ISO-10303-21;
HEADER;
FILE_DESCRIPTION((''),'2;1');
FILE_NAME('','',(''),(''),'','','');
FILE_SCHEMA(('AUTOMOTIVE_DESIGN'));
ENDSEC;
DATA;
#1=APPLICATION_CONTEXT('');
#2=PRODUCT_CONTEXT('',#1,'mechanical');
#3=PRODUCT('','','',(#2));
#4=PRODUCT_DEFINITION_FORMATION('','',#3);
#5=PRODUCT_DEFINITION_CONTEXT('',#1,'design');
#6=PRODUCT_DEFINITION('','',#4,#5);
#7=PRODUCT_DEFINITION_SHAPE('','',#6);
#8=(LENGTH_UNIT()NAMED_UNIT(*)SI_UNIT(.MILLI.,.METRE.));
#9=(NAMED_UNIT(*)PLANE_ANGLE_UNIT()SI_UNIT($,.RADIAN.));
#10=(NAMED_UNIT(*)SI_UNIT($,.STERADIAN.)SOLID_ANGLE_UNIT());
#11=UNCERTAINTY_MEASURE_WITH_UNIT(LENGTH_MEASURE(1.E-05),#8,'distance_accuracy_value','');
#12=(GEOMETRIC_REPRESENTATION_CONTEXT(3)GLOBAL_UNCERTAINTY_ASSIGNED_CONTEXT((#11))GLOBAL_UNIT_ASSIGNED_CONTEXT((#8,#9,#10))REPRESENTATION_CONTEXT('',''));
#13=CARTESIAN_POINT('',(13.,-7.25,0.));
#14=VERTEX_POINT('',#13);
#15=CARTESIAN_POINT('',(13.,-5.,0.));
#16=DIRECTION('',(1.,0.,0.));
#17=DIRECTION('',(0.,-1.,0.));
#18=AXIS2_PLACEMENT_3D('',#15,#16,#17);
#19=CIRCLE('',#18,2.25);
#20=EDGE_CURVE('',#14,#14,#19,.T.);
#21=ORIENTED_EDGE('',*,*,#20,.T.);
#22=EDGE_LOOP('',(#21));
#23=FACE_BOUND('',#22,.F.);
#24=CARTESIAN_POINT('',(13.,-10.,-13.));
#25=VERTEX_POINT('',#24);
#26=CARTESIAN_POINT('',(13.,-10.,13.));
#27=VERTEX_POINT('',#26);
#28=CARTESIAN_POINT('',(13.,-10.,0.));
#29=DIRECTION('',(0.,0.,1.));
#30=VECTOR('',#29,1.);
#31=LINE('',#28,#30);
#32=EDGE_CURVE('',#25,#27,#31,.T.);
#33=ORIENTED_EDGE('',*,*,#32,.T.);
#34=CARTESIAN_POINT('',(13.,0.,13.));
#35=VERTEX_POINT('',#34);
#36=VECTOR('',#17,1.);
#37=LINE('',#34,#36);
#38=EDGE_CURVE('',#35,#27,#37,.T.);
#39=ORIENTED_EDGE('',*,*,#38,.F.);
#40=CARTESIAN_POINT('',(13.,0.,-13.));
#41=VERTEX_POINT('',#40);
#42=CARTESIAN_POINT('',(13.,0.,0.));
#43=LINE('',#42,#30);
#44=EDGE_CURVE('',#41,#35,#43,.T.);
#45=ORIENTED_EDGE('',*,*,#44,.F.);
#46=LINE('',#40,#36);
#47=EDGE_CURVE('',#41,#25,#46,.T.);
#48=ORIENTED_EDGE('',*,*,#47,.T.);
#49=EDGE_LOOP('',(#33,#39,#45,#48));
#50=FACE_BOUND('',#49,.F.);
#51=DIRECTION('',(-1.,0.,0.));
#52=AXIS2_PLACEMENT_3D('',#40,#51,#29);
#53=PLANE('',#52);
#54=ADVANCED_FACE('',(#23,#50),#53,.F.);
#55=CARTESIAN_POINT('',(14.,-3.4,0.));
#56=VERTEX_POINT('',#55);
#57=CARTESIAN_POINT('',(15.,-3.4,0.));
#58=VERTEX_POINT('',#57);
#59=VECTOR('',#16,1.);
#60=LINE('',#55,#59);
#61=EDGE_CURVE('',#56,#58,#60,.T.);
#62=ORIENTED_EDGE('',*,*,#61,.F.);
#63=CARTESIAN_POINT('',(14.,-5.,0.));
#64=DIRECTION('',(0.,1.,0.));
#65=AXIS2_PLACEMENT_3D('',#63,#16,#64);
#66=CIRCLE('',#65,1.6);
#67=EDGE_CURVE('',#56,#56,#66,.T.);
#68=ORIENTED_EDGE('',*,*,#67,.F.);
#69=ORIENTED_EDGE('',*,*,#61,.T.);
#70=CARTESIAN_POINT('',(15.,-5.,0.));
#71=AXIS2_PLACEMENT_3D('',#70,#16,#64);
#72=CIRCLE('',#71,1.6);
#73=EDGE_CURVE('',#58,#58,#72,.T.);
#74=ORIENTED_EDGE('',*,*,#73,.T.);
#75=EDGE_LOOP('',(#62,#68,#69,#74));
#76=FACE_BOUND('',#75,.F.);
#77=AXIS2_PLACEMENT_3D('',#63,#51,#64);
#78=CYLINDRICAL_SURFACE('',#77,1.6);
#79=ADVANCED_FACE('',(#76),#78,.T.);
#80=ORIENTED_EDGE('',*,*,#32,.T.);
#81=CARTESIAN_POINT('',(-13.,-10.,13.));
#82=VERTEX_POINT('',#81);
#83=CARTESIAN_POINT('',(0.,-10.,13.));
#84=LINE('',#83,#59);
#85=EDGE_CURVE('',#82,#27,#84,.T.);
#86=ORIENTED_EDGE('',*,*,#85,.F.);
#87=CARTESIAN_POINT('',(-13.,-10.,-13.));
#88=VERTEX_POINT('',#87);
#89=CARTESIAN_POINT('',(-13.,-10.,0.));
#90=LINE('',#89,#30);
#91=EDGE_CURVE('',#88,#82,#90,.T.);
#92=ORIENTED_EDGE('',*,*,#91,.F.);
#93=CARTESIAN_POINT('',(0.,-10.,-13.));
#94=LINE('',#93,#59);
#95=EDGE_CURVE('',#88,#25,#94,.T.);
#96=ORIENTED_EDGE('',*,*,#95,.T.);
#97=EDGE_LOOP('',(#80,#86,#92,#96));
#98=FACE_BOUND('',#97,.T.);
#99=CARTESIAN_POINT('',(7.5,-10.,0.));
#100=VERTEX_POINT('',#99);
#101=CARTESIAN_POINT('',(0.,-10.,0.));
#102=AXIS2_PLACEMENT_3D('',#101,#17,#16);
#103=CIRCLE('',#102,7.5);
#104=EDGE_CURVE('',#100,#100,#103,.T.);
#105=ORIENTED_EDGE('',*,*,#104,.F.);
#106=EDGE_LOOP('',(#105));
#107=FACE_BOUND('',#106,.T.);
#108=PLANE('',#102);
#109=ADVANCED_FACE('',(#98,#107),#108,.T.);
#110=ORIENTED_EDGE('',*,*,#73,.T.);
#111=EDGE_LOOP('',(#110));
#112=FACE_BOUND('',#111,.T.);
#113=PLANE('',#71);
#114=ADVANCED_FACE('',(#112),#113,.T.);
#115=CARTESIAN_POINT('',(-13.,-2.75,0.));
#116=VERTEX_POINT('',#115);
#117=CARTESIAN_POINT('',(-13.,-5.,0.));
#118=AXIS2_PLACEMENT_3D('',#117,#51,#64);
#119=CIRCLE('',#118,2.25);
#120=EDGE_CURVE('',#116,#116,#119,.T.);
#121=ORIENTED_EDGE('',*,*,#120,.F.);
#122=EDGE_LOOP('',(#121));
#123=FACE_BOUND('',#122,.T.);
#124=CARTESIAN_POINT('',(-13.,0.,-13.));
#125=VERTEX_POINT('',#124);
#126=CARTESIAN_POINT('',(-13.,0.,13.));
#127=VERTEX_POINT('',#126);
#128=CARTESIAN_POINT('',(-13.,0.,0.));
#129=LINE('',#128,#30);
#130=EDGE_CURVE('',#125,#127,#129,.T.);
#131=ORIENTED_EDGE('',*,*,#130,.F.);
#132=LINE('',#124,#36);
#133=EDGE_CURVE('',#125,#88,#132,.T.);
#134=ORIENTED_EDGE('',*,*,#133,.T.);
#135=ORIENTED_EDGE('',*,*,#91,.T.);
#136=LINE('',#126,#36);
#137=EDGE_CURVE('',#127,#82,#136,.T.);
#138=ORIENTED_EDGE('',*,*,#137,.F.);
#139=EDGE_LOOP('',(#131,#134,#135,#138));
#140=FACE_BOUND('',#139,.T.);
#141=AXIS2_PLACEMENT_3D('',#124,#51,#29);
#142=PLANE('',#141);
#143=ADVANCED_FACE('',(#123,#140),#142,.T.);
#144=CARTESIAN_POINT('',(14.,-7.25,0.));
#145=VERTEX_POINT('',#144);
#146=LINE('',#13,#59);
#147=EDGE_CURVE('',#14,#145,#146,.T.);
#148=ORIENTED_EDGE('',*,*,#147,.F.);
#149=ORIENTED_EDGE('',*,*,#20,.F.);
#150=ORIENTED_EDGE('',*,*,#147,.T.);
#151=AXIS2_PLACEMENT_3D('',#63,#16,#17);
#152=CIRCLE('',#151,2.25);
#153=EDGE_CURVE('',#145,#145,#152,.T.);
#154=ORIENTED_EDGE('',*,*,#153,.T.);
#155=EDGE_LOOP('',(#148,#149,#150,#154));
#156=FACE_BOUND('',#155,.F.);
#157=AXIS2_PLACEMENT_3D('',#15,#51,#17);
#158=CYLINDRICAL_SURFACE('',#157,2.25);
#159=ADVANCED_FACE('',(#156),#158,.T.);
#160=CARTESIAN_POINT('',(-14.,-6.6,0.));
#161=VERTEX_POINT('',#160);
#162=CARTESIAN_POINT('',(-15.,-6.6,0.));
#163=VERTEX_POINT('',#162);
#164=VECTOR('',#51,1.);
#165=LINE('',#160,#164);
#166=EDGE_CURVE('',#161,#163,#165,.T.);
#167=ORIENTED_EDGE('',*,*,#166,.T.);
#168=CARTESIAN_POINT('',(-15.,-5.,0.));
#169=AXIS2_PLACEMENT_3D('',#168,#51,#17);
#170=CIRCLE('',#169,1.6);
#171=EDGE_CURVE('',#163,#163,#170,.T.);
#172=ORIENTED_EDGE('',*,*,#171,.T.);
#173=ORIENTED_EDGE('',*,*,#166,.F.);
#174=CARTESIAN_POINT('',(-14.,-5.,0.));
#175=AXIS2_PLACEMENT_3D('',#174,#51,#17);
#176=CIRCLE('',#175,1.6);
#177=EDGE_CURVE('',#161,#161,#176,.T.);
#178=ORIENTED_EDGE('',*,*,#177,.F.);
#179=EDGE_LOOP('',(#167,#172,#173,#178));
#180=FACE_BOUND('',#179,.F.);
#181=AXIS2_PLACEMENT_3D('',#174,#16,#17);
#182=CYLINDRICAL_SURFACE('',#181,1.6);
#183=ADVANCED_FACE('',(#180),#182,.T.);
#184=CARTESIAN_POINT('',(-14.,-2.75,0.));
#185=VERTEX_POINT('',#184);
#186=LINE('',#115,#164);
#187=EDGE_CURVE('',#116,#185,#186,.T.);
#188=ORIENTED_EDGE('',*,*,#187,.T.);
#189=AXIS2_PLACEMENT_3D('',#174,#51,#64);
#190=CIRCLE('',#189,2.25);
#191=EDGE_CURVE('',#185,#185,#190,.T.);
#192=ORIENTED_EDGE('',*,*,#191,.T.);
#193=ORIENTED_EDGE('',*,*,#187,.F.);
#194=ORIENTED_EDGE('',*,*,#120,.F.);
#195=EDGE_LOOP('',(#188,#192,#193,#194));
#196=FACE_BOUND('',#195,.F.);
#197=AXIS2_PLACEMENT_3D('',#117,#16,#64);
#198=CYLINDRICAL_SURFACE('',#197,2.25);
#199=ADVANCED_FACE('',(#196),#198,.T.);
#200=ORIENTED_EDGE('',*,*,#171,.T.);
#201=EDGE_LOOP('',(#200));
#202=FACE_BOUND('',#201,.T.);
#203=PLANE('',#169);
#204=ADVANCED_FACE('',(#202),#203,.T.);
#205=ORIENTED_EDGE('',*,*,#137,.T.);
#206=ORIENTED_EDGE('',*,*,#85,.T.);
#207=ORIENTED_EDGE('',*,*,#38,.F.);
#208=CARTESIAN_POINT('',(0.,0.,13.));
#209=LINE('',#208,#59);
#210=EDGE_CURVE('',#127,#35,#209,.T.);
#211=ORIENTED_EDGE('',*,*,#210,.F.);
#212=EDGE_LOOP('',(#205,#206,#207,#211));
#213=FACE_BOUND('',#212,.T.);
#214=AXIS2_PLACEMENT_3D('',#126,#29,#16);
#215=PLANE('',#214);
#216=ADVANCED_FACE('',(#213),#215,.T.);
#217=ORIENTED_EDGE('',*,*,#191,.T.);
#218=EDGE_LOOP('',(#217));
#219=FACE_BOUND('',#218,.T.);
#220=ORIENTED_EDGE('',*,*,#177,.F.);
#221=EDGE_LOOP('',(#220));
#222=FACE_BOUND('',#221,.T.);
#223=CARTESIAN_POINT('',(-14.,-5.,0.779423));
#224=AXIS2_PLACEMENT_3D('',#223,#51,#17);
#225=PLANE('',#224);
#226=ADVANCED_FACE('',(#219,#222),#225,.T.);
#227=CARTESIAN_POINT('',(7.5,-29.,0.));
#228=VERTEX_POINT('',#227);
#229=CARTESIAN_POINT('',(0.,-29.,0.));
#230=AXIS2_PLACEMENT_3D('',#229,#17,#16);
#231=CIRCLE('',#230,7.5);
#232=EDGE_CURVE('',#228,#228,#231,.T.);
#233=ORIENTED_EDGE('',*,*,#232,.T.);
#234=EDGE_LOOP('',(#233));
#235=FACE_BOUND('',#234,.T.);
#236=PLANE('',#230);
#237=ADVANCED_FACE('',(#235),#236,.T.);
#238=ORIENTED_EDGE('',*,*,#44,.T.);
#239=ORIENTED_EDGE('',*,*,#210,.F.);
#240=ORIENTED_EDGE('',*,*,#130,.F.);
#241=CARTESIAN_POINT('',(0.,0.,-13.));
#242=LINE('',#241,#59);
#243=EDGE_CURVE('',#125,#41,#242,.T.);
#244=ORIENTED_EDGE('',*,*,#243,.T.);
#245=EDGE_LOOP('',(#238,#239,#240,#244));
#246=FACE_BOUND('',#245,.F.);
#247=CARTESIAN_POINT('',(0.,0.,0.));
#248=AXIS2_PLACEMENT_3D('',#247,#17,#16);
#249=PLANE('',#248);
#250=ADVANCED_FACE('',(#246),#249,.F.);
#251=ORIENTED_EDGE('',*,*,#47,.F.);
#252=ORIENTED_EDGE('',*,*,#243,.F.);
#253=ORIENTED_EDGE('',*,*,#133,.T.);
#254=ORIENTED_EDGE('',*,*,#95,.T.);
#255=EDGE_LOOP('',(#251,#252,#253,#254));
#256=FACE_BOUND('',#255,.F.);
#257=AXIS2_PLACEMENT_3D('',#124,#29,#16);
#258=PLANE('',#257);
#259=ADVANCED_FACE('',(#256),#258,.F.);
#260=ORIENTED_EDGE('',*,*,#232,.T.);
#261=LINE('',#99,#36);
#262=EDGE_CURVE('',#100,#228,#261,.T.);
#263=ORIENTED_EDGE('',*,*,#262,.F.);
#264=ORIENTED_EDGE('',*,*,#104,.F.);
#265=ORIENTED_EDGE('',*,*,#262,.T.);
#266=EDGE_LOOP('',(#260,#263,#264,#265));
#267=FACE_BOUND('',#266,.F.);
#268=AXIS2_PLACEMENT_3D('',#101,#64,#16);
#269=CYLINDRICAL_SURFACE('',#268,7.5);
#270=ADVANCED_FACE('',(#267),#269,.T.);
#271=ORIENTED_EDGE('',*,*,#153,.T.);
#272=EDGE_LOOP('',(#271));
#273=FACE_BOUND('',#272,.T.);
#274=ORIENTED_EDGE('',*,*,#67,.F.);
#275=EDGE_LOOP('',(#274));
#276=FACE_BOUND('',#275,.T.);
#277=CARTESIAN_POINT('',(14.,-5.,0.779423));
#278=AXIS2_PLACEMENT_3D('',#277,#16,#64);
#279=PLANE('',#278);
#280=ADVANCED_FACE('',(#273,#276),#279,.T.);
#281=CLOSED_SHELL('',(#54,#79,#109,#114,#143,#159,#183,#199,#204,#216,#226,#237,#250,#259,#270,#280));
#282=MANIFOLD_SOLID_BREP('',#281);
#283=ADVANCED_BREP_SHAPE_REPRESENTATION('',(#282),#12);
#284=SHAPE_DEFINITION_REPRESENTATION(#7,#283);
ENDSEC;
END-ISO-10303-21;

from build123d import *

# Parameters (mm, degrees)
F0_W      = 26
F0_H      = 26
F1_DEPTH  = 10
F2_R      = 7.5
F3_DEPTH  = 19
F5_DEPTH  = 1
F7_DEPTH  = 1
F8_R      = 1.6
F9_DEPTH  = 1
F10_R     = 1.6
F11_DEPTH = 1


with BuildPart() as f1:
    # F0 (on Front) → F1 (new body)
    with BuildSketch(Plane.XZ):
        Rectangle(F0_W, F0_H)
    extrude(amount=F1_DEPTH)

    # F2 (on face) → F3 (join)
    with BuildSketch(Plane.XZ.offset(10)):
        Circle(F2_R)
    extrude(amount=F3_DEPTH)

    # F4 (on face) → F5 (join)
    with BuildSketch(Plane.YZ.offset(13)):
        with BuildLine():
            ThreePointArc((-2.75, 0), (-5, 2.25), (-7.25, 0))
            Line((-7.25, 0), (-2.75, 0))
        make_face()
        with BuildLine():
            Line((-2.75, 0), (-7.25, 0))
            ThreePointArc((-7.25, 0), (-5, -2.25), (-2.75, 0))
        make_face()
    extrude(amount=F5_DEPTH)

    # F6 (on face) → F7 (join)
    with BuildSketch(Plane(origin=(-13, 0, 0), x_dir=(0, -1, 0), z_dir=(-1, 0, 0))):
        with BuildLine():
            ThreePointArc((7.25, 0), (5, 2.25), (2.75, 0))
            Line((2.75, 0), (7.25, 0))
        make_face()
        with BuildLine():
            Line((7.25, 0), (2.75, 0))
            ThreePointArc((2.75, 0), (5, -2.25), (7.25, 0))
        make_face()
    extrude(amount=F7_DEPTH)

    # F8 (on face) → F9 (join)
    with BuildSketch(Plane(origin=(-14, 0, 0), x_dir=(0, -1, 0), z_dir=(-1, 0, 0))):
        with Locations((5, 0)):
            Circle(F8_R)
    extrude(amount=F9_DEPTH)

    # F10 (on face) → F11 (join)
    with BuildSketch(Plane.YZ.offset(14)):
        with Locations((-5, 0)):
            Circle(F10_R)
    extrude(amount=F11_DEPTH)


solid = f1.part
